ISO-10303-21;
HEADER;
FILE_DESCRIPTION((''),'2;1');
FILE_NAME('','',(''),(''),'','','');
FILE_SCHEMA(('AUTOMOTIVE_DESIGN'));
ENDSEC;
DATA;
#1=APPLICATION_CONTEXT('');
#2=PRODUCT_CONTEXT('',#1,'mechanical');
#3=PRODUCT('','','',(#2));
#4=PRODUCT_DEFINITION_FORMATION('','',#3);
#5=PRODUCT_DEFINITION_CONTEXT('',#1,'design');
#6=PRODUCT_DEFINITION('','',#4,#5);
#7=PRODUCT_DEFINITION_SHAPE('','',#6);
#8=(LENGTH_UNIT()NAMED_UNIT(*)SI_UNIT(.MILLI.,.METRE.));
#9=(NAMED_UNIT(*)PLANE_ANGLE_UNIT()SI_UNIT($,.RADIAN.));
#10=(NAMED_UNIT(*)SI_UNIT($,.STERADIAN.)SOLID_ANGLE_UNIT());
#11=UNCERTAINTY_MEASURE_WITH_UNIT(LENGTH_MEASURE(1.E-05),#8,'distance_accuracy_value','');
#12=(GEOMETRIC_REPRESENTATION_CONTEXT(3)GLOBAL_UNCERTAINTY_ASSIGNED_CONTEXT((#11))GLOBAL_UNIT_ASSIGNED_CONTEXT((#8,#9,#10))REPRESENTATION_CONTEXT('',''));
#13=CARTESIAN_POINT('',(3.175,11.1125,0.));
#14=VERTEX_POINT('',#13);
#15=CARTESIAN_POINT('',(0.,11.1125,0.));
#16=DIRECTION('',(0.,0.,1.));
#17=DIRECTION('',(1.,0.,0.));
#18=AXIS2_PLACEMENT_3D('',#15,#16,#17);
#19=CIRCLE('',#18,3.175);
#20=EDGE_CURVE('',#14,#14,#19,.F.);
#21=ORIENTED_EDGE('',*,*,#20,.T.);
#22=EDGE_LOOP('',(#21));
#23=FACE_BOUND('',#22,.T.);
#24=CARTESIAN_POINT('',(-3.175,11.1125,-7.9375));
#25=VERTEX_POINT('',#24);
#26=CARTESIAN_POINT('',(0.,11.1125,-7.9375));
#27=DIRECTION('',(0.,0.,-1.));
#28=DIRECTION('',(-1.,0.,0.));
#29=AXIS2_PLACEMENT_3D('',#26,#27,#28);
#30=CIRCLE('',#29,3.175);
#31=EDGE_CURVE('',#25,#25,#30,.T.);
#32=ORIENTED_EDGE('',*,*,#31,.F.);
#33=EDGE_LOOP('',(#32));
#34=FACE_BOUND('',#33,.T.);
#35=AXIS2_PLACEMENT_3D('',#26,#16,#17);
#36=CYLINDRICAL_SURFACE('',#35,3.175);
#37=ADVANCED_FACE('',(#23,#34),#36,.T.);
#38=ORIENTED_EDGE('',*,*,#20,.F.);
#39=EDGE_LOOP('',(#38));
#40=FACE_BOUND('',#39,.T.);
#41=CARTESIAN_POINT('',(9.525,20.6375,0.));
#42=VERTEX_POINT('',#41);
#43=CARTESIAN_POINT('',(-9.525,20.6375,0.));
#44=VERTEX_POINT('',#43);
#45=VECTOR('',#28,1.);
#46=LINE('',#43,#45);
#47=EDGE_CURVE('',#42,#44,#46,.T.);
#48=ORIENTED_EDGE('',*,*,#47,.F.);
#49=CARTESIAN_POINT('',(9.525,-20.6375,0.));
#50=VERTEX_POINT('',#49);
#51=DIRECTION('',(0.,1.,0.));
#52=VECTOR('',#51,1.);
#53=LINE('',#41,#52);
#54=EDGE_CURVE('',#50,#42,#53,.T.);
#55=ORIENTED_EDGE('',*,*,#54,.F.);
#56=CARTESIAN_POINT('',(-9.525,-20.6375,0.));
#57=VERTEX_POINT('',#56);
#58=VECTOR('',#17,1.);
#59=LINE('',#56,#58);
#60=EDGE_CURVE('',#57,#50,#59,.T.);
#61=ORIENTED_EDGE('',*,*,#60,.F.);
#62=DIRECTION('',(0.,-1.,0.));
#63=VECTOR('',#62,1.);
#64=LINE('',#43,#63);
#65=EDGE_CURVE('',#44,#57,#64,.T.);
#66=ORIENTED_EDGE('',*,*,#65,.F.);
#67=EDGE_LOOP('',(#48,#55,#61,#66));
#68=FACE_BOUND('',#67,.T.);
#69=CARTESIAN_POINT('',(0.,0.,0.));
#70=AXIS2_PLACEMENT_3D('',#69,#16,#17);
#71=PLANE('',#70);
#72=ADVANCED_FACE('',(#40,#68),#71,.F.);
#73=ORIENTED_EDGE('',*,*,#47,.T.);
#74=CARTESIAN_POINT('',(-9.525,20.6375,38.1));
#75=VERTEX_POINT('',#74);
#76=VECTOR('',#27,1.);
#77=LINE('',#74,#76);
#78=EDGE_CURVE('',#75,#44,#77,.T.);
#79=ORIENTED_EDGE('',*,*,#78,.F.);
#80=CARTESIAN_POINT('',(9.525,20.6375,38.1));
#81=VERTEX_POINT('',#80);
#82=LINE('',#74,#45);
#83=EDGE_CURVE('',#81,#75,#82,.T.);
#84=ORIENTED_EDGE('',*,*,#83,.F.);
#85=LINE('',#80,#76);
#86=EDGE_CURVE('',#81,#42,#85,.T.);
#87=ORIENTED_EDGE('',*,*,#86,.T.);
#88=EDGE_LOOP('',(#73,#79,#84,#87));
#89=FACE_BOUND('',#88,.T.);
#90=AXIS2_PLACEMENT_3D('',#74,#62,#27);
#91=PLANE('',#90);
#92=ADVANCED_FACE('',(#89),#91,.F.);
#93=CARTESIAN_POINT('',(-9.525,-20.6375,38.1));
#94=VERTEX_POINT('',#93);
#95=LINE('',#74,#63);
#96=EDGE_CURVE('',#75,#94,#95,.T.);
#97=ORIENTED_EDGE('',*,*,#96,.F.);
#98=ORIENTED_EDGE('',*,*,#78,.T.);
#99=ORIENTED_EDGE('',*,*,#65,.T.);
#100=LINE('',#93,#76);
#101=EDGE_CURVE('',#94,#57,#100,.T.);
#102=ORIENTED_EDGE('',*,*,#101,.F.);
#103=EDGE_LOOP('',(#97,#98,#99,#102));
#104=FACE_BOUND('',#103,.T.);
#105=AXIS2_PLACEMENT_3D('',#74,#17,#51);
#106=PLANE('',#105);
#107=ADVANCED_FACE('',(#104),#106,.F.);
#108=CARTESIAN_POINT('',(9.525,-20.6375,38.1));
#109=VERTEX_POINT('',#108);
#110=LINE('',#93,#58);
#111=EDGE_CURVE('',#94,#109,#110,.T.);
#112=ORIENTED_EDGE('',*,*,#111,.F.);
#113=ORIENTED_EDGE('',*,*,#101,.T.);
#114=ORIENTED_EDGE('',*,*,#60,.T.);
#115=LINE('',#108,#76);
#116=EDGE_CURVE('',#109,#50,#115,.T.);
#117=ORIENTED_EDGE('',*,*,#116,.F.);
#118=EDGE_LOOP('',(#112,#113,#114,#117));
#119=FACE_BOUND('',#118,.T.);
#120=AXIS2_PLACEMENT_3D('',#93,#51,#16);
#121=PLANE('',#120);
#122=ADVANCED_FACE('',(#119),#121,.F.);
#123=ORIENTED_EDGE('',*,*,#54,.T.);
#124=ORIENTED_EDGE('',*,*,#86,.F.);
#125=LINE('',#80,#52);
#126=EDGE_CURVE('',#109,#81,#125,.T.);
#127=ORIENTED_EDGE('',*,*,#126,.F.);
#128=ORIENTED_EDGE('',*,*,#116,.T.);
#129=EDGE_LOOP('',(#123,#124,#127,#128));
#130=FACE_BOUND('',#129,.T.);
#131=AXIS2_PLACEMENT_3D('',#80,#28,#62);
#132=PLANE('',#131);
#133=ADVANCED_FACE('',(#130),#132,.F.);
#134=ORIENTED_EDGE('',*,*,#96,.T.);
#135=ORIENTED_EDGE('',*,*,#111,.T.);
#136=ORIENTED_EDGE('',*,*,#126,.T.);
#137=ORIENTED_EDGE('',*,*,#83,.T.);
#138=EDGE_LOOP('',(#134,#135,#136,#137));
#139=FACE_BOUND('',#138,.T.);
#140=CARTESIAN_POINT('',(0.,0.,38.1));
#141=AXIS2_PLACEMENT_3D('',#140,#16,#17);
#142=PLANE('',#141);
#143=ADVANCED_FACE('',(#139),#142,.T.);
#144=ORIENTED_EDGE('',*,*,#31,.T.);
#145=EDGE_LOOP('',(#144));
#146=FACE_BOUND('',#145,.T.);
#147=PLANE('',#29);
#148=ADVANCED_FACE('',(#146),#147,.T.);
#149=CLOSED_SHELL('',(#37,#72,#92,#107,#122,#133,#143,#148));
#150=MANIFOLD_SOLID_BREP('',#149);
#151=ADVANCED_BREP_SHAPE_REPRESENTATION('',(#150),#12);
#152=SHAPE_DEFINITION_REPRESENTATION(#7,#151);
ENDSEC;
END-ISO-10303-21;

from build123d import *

# Parameters (mm, degrees)
SKETCH1_W           = 19.05
SKETCH1_H           = 41.275
BOSS_EXTRUDE1_DEPTH = 38.1
SKETCH6_R           = 3.175
BOSS_EXTRUDE4_DEPTH = 7.9375


with BuildPart() as part:
    # Sketch1 → Boss-Extrude1 (new body)
    with BuildSketch(Plane.XY):
        Rectangle(SKETCH1_W, SKETCH1_H)
    extrude(amount=BOSS_EXTRUDE1_DEPTH)

    # Sketch6 → Boss-Extrude4 (add)
    with BuildSketch(Plane(origin=(0, 0, 0), x_dir=(-1, 0, 0), z_dir=(0, 0, -1))):
        with Locations((0, 11.1125)):
            Circle(SKETCH6_R)
    extrude(amount=BOSS_EXTRUDE4_DEPTH)


solid = part.part
